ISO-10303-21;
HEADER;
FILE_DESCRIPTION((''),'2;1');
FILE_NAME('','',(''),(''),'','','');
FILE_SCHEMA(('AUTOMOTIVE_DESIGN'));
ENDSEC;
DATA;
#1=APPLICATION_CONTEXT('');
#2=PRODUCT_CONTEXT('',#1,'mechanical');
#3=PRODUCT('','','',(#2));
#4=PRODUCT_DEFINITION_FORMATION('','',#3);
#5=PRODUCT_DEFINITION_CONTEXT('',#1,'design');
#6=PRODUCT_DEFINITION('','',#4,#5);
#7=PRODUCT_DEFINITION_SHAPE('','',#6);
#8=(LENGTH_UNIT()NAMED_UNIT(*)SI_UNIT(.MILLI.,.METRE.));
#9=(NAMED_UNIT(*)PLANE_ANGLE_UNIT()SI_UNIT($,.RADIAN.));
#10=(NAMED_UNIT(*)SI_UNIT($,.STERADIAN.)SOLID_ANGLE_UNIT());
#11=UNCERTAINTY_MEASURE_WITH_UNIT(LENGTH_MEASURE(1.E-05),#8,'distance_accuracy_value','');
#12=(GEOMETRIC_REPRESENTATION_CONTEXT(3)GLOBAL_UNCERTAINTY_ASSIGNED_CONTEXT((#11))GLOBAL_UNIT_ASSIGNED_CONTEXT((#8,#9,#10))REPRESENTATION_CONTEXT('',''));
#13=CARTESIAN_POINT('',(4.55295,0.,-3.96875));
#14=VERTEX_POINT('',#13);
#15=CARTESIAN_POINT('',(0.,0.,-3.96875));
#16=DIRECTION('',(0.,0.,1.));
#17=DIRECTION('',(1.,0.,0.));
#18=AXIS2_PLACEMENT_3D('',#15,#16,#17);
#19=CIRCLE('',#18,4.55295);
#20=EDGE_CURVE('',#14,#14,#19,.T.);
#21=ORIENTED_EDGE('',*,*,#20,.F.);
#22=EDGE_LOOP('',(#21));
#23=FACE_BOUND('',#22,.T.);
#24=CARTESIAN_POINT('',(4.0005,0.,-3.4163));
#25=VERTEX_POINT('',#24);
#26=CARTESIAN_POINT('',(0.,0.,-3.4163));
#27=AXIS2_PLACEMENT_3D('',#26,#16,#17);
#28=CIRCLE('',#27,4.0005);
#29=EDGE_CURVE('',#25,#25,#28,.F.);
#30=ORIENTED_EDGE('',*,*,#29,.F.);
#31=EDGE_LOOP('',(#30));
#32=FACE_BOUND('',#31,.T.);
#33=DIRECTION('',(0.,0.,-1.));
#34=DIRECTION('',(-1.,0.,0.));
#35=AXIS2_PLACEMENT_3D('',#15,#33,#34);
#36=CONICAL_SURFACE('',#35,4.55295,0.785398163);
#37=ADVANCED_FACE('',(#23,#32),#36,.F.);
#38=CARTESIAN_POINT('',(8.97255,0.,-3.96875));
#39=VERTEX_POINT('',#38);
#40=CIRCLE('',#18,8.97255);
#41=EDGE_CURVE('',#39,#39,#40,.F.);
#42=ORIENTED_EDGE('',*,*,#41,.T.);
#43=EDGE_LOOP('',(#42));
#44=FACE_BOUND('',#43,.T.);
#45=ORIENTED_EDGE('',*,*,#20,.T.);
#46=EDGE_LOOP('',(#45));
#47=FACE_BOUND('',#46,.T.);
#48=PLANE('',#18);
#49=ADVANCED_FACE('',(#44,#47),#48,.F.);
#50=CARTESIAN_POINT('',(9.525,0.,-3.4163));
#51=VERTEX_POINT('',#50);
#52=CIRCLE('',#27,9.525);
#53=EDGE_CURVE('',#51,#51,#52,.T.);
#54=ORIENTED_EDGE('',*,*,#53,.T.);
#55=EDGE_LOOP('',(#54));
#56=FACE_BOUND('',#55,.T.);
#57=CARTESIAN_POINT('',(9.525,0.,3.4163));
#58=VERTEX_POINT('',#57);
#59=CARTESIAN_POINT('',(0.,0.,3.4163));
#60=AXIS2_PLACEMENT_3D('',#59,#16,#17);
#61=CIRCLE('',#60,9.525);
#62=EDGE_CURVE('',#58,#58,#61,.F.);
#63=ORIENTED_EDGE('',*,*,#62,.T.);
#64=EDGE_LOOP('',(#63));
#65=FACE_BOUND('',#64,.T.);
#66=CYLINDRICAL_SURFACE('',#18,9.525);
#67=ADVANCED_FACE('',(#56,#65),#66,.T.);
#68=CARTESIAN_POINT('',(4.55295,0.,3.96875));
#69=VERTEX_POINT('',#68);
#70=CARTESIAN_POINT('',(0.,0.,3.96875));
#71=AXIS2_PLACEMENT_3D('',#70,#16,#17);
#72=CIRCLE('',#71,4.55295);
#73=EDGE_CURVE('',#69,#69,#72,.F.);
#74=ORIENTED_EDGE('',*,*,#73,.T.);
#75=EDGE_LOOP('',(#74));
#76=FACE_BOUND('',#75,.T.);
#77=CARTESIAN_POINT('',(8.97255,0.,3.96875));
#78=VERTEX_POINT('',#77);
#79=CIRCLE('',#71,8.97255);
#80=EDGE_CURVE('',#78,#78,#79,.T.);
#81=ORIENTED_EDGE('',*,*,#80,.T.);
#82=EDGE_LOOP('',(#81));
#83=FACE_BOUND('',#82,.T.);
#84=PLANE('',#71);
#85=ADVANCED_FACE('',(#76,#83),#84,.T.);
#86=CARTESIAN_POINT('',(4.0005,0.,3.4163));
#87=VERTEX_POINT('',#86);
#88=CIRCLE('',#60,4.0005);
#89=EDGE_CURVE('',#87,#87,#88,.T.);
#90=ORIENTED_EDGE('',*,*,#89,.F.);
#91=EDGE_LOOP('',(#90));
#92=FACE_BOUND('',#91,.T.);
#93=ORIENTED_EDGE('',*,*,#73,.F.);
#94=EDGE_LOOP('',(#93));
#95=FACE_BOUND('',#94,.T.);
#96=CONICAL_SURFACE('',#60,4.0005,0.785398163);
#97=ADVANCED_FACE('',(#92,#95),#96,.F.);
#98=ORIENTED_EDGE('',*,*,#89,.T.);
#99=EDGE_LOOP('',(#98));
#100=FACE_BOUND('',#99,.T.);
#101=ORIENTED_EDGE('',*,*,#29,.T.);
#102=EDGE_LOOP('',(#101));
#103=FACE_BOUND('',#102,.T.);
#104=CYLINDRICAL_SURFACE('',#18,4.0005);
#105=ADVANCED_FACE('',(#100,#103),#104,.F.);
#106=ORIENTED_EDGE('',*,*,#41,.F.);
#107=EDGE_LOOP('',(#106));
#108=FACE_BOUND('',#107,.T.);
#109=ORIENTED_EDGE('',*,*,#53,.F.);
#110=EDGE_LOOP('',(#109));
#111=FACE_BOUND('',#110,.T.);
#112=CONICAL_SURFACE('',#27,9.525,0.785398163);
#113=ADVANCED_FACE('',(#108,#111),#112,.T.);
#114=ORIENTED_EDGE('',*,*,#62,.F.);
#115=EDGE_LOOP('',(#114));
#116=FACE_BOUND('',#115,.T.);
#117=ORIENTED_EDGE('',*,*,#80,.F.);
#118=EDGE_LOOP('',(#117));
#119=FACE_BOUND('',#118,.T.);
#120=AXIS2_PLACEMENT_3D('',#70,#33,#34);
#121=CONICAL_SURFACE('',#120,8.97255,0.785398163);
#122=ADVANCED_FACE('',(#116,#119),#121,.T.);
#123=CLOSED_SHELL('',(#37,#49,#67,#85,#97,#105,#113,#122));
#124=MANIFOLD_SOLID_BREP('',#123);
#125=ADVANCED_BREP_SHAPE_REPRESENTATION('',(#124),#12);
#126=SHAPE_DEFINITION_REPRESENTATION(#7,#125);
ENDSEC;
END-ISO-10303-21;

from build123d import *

# Parameters (mm, degrees)
BOSS_EXTRUDE1_DEPTH      = 3.96875
BOSS_EXTRUDE1_DEPTH_BACK = 3.96875
SKETCH3_R                = 9.525
SKETCH3_R_2              = 4.0005
CHAMFER1_SIZE            = 0.55245


with BuildPart() as part:
    # Sketch3 → Boss-Extrude1 (new, two sides: drawn at the far end of the back side and taken through both)
    with BuildSketch(Plane.XY.offset(-BOSS_EXTRUDE1_DEPTH_BACK)):
        Circle(SKETCH3_R)
        Circle(SKETCH3_R_2, mode=Mode.SUBTRACT)
    extrude(amount=BOSS_EXTRUDE1_DEPTH + BOSS_EXTRUDE1_DEPTH_BACK)

    # Chamfer1
    chamfer1_edges = [part.edges().sort_by_distance(p)[0] for p in [
        (-9.525, 0, -3.96875),
        (-4.0005, 0, -3.96875),
        (-9.525, 0, 3.96875),
        (-4.0005, 0, 3.96875),
    ]]
    chamfer(chamfer1_edges, length=CHAMFER1_SIZE)


solid = part.part
